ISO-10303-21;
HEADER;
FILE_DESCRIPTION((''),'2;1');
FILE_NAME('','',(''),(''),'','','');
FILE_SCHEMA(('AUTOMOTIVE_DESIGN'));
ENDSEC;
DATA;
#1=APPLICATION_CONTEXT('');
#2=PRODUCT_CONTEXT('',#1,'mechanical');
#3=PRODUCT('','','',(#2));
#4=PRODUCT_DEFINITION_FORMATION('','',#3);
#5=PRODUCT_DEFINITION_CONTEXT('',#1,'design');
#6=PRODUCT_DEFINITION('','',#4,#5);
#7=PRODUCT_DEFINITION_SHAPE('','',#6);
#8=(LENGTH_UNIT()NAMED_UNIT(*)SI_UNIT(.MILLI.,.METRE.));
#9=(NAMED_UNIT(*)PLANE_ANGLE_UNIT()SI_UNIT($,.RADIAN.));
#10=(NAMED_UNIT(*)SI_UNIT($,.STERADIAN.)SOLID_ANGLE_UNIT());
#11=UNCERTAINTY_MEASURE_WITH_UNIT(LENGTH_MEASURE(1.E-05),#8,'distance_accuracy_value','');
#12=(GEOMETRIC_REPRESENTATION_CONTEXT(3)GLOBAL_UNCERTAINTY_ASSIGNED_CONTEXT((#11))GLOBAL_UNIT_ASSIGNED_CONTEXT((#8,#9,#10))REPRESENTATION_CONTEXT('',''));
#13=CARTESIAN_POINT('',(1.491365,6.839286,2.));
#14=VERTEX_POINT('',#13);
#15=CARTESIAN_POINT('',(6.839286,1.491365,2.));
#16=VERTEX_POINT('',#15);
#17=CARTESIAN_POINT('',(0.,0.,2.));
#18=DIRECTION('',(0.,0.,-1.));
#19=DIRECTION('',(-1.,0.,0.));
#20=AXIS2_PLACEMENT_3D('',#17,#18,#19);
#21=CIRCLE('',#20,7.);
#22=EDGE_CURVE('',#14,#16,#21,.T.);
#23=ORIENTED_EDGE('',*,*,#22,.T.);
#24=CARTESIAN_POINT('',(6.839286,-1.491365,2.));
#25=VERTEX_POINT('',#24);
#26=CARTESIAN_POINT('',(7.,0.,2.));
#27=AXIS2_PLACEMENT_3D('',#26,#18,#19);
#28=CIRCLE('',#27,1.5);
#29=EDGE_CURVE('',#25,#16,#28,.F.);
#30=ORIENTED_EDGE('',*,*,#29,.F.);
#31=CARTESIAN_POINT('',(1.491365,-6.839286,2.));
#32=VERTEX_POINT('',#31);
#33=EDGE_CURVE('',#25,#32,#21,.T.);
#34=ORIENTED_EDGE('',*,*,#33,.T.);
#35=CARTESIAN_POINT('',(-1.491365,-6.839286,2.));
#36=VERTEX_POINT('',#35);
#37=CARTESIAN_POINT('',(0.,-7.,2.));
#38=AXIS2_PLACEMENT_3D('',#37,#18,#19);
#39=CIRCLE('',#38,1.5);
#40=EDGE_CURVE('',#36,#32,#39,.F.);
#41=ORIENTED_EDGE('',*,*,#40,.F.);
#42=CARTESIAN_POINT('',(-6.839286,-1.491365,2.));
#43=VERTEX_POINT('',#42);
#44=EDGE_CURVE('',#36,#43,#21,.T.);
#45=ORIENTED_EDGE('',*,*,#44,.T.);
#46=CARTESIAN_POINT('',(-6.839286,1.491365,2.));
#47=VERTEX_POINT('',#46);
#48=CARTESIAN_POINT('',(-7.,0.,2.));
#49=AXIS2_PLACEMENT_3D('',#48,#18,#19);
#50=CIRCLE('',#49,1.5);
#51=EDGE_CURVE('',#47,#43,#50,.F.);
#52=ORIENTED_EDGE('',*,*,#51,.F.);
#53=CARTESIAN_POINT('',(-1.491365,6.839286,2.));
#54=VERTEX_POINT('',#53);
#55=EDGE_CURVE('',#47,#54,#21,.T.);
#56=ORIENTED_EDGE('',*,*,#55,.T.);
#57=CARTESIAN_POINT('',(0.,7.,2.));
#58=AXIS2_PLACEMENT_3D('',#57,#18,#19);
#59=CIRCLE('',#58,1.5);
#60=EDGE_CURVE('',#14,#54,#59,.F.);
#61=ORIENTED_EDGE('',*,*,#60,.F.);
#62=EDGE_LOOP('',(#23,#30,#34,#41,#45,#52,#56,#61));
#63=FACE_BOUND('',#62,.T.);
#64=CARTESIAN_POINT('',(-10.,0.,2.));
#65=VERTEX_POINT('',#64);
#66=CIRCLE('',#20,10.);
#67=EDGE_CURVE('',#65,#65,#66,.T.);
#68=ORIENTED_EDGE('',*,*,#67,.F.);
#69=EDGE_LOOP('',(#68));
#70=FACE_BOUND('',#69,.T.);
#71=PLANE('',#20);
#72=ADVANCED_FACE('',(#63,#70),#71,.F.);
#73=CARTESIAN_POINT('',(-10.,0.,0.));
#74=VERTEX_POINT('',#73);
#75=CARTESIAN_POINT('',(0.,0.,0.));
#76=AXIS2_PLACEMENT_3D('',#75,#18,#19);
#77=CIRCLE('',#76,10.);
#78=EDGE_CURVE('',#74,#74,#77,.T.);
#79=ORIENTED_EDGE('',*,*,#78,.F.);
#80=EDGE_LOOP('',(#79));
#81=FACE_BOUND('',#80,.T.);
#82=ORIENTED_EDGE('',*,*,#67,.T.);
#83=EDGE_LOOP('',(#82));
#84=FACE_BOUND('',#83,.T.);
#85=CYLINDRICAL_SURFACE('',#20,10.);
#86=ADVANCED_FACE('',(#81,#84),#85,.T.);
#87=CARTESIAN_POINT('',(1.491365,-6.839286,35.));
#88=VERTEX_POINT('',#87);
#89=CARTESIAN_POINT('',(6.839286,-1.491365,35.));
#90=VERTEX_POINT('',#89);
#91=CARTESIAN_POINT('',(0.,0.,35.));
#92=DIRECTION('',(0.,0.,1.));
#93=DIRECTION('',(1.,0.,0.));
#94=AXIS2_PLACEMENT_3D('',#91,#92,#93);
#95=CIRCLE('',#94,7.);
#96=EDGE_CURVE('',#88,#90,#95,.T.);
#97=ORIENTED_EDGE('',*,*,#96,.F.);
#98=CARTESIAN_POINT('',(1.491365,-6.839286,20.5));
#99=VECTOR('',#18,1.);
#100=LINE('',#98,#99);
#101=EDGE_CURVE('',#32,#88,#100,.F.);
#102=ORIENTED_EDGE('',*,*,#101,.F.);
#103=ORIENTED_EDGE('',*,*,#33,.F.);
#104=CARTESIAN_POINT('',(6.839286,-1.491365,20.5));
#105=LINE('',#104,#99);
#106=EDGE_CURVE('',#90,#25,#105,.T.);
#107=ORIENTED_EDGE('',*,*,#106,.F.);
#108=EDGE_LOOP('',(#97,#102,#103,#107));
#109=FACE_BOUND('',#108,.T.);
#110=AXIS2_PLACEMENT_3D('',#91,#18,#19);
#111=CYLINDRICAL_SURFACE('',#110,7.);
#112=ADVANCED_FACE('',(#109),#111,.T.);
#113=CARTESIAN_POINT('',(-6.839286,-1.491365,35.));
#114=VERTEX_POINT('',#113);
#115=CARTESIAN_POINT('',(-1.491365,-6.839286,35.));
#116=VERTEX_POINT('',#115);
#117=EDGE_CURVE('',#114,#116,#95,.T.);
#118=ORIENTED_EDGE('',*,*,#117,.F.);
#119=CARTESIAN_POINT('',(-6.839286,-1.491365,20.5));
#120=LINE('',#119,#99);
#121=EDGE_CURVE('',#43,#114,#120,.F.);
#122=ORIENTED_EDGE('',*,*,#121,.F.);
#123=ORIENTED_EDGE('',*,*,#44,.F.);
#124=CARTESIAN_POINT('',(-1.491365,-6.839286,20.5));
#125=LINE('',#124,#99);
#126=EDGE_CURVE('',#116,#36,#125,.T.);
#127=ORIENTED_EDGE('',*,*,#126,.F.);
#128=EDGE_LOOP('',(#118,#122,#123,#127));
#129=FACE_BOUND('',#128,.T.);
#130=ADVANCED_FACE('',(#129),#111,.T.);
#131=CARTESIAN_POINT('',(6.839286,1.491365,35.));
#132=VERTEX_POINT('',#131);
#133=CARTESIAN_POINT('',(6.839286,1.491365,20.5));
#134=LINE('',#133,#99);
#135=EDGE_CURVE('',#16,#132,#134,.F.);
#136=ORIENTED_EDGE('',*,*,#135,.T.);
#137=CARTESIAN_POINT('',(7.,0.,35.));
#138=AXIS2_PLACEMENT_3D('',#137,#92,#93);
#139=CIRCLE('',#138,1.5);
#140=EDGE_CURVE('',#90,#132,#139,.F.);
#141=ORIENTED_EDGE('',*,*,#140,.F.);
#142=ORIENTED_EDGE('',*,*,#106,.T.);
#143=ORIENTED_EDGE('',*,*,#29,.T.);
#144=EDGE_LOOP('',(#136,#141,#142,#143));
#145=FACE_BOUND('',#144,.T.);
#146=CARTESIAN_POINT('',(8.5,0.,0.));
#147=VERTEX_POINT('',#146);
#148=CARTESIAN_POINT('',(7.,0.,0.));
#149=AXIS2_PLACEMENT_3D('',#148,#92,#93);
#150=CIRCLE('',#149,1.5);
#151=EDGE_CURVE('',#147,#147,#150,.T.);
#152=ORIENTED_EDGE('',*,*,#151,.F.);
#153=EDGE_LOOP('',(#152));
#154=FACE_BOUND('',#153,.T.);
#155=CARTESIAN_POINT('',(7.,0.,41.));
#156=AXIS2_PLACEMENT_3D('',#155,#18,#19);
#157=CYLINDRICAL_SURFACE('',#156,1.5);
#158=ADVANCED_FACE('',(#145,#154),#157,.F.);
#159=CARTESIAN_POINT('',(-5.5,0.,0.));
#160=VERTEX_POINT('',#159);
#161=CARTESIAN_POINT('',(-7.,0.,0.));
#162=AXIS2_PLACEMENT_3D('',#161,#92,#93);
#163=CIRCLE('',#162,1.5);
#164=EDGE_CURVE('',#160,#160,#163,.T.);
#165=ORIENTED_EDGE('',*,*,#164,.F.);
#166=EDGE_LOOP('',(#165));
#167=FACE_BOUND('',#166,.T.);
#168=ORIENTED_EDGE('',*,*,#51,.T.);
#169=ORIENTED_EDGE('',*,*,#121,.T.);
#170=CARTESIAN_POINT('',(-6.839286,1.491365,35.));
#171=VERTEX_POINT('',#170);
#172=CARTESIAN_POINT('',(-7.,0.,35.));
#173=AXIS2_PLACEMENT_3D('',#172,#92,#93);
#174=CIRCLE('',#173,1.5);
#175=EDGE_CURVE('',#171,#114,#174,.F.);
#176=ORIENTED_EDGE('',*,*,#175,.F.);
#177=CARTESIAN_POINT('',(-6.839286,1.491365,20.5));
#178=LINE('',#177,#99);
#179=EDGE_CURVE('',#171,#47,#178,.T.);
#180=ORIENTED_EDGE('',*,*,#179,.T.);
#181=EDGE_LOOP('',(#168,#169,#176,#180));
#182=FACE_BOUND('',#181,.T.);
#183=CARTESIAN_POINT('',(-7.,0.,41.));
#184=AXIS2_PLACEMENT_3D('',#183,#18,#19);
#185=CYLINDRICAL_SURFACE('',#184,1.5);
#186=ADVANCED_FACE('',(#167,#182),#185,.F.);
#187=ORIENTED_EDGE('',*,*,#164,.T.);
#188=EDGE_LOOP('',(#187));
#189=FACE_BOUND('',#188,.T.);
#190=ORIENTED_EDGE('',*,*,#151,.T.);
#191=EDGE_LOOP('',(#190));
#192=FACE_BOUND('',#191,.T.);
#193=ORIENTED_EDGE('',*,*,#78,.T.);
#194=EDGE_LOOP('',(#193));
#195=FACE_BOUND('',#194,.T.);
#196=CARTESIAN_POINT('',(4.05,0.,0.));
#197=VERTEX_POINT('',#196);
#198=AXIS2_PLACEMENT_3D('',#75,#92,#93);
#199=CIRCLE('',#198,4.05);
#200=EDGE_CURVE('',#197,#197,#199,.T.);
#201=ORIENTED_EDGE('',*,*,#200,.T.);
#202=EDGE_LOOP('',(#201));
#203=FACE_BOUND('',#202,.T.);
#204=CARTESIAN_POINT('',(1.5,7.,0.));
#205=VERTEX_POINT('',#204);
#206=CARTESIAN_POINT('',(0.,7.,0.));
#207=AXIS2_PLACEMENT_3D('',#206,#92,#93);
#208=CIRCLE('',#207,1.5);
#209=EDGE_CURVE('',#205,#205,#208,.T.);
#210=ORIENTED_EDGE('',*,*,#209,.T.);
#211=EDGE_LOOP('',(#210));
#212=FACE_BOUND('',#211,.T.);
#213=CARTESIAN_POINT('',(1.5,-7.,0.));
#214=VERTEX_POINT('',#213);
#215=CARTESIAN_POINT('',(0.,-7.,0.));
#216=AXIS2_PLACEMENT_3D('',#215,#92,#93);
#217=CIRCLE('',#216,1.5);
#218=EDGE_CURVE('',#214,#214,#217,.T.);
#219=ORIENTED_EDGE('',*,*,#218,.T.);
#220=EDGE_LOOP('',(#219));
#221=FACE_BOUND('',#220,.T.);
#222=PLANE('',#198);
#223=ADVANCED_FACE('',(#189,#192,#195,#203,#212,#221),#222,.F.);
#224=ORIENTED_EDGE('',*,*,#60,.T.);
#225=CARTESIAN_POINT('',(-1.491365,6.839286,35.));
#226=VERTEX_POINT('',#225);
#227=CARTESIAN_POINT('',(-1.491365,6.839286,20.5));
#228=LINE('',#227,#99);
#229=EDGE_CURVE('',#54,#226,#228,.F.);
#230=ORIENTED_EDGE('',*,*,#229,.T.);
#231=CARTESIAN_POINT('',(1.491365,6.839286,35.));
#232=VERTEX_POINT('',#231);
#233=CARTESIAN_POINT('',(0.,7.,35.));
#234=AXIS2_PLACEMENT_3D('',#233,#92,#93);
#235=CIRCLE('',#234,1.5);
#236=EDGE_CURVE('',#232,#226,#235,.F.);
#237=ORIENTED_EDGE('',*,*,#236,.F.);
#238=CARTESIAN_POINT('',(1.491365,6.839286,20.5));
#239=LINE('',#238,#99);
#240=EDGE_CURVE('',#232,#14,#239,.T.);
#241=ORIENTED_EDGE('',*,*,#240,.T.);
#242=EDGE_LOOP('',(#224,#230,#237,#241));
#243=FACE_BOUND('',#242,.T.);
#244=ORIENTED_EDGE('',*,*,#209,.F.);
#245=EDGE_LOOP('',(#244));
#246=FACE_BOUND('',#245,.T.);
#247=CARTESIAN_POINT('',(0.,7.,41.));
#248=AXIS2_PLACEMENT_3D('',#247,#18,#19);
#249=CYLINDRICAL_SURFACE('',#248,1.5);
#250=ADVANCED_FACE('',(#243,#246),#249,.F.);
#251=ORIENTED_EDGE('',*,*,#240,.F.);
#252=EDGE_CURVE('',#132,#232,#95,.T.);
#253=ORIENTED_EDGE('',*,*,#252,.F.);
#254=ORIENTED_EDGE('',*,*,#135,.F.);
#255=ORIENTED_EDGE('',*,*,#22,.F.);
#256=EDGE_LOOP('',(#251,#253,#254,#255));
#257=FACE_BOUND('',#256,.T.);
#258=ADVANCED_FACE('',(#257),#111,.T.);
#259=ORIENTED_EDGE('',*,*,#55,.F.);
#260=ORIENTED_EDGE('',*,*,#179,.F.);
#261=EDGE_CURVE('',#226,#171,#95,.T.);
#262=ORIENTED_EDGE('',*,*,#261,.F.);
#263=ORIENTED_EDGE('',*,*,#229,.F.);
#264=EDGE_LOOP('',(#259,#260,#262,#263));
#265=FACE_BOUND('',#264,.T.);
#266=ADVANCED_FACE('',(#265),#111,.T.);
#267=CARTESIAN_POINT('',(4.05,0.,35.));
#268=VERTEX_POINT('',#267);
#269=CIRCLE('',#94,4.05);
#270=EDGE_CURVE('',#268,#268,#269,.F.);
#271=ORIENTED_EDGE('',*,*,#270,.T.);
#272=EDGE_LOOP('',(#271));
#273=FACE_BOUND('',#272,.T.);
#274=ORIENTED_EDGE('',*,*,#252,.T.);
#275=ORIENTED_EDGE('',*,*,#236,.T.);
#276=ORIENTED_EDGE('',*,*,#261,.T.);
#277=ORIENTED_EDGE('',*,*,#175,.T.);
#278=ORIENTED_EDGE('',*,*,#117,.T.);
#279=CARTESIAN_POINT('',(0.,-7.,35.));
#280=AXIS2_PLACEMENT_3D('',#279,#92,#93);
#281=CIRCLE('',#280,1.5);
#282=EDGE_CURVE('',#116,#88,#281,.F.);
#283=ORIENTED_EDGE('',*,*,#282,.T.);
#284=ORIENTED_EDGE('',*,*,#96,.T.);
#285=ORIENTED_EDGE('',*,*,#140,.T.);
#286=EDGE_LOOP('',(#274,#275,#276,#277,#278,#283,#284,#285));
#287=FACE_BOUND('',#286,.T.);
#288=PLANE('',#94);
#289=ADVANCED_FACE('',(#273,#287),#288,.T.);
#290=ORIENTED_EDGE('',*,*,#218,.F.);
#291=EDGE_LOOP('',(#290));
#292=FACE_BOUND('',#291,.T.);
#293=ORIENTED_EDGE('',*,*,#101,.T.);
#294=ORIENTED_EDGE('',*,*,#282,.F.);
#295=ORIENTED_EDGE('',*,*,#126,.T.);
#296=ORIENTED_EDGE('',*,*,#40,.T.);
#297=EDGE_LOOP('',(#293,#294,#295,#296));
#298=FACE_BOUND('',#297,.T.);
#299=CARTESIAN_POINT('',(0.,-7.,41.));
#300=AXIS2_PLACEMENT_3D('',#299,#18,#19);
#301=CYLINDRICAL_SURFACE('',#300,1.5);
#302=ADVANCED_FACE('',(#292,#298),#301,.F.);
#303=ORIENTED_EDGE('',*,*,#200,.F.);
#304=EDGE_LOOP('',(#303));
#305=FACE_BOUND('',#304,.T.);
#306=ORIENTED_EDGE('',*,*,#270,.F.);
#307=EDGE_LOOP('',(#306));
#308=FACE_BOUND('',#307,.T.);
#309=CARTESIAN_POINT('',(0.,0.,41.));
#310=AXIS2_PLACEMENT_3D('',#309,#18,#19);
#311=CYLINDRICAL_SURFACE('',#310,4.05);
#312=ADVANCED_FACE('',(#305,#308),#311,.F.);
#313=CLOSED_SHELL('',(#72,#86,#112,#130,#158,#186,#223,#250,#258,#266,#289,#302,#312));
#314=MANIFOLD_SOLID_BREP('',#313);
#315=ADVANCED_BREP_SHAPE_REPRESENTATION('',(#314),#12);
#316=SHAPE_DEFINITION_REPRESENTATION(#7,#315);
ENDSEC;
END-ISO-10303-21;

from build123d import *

# Parameters (mm, degrees)
SKETCH1_R           = 7
BOSS_EXTRUDE5_DEPTH = 35
SKETCH2_R           = 10
BOSS_EXTRUDE7_DEPTH = 2
SKETCH1_19_R        = 4.05
SKETCH1_19_R_2      = 1.5
CUT_EXTRUDE2_DEPTH  = 41


with BuildPart() as part:
    # Sketch1 → Boss-Extrude5 (new body)
    with BuildSketch(Plane.XY):
        Circle(SKETCH1_R)
    extrude(amount=BOSS_EXTRUDE5_DEPTH)

    # Sketch2 → Boss-Extrude7 (add)
    with BuildSketch(Plane(origin=(0, 0, 0), x_dir=(-1, 0, 0), z_dir=(0, 0, -1))):
        Circle(SKETCH2_R)
    extrude(amount=-BOSS_EXTRUDE7_DEPTH)

    # Sketch1<19> → Cut-Extrude2 (cut)
    with BuildSketch(Plane.XY):
        Circle(SKETCH1_19_R)
        with Locations((0, 7)):
            Circle(SKETCH1_19_R_2)
        with Locations((7, 0)):
            Circle(SKETCH1_19_R_2)
        with Locations((0, -7)):
            Circle(SKETCH1_19_R_2)
        with Locations((-7, 0)):
            Circle(SKETCH1_19_R_2)
    extrude(amount=CUT_EXTRUDE2_DEPTH, mode=Mode.SUBTRACT)


solid = part.part
